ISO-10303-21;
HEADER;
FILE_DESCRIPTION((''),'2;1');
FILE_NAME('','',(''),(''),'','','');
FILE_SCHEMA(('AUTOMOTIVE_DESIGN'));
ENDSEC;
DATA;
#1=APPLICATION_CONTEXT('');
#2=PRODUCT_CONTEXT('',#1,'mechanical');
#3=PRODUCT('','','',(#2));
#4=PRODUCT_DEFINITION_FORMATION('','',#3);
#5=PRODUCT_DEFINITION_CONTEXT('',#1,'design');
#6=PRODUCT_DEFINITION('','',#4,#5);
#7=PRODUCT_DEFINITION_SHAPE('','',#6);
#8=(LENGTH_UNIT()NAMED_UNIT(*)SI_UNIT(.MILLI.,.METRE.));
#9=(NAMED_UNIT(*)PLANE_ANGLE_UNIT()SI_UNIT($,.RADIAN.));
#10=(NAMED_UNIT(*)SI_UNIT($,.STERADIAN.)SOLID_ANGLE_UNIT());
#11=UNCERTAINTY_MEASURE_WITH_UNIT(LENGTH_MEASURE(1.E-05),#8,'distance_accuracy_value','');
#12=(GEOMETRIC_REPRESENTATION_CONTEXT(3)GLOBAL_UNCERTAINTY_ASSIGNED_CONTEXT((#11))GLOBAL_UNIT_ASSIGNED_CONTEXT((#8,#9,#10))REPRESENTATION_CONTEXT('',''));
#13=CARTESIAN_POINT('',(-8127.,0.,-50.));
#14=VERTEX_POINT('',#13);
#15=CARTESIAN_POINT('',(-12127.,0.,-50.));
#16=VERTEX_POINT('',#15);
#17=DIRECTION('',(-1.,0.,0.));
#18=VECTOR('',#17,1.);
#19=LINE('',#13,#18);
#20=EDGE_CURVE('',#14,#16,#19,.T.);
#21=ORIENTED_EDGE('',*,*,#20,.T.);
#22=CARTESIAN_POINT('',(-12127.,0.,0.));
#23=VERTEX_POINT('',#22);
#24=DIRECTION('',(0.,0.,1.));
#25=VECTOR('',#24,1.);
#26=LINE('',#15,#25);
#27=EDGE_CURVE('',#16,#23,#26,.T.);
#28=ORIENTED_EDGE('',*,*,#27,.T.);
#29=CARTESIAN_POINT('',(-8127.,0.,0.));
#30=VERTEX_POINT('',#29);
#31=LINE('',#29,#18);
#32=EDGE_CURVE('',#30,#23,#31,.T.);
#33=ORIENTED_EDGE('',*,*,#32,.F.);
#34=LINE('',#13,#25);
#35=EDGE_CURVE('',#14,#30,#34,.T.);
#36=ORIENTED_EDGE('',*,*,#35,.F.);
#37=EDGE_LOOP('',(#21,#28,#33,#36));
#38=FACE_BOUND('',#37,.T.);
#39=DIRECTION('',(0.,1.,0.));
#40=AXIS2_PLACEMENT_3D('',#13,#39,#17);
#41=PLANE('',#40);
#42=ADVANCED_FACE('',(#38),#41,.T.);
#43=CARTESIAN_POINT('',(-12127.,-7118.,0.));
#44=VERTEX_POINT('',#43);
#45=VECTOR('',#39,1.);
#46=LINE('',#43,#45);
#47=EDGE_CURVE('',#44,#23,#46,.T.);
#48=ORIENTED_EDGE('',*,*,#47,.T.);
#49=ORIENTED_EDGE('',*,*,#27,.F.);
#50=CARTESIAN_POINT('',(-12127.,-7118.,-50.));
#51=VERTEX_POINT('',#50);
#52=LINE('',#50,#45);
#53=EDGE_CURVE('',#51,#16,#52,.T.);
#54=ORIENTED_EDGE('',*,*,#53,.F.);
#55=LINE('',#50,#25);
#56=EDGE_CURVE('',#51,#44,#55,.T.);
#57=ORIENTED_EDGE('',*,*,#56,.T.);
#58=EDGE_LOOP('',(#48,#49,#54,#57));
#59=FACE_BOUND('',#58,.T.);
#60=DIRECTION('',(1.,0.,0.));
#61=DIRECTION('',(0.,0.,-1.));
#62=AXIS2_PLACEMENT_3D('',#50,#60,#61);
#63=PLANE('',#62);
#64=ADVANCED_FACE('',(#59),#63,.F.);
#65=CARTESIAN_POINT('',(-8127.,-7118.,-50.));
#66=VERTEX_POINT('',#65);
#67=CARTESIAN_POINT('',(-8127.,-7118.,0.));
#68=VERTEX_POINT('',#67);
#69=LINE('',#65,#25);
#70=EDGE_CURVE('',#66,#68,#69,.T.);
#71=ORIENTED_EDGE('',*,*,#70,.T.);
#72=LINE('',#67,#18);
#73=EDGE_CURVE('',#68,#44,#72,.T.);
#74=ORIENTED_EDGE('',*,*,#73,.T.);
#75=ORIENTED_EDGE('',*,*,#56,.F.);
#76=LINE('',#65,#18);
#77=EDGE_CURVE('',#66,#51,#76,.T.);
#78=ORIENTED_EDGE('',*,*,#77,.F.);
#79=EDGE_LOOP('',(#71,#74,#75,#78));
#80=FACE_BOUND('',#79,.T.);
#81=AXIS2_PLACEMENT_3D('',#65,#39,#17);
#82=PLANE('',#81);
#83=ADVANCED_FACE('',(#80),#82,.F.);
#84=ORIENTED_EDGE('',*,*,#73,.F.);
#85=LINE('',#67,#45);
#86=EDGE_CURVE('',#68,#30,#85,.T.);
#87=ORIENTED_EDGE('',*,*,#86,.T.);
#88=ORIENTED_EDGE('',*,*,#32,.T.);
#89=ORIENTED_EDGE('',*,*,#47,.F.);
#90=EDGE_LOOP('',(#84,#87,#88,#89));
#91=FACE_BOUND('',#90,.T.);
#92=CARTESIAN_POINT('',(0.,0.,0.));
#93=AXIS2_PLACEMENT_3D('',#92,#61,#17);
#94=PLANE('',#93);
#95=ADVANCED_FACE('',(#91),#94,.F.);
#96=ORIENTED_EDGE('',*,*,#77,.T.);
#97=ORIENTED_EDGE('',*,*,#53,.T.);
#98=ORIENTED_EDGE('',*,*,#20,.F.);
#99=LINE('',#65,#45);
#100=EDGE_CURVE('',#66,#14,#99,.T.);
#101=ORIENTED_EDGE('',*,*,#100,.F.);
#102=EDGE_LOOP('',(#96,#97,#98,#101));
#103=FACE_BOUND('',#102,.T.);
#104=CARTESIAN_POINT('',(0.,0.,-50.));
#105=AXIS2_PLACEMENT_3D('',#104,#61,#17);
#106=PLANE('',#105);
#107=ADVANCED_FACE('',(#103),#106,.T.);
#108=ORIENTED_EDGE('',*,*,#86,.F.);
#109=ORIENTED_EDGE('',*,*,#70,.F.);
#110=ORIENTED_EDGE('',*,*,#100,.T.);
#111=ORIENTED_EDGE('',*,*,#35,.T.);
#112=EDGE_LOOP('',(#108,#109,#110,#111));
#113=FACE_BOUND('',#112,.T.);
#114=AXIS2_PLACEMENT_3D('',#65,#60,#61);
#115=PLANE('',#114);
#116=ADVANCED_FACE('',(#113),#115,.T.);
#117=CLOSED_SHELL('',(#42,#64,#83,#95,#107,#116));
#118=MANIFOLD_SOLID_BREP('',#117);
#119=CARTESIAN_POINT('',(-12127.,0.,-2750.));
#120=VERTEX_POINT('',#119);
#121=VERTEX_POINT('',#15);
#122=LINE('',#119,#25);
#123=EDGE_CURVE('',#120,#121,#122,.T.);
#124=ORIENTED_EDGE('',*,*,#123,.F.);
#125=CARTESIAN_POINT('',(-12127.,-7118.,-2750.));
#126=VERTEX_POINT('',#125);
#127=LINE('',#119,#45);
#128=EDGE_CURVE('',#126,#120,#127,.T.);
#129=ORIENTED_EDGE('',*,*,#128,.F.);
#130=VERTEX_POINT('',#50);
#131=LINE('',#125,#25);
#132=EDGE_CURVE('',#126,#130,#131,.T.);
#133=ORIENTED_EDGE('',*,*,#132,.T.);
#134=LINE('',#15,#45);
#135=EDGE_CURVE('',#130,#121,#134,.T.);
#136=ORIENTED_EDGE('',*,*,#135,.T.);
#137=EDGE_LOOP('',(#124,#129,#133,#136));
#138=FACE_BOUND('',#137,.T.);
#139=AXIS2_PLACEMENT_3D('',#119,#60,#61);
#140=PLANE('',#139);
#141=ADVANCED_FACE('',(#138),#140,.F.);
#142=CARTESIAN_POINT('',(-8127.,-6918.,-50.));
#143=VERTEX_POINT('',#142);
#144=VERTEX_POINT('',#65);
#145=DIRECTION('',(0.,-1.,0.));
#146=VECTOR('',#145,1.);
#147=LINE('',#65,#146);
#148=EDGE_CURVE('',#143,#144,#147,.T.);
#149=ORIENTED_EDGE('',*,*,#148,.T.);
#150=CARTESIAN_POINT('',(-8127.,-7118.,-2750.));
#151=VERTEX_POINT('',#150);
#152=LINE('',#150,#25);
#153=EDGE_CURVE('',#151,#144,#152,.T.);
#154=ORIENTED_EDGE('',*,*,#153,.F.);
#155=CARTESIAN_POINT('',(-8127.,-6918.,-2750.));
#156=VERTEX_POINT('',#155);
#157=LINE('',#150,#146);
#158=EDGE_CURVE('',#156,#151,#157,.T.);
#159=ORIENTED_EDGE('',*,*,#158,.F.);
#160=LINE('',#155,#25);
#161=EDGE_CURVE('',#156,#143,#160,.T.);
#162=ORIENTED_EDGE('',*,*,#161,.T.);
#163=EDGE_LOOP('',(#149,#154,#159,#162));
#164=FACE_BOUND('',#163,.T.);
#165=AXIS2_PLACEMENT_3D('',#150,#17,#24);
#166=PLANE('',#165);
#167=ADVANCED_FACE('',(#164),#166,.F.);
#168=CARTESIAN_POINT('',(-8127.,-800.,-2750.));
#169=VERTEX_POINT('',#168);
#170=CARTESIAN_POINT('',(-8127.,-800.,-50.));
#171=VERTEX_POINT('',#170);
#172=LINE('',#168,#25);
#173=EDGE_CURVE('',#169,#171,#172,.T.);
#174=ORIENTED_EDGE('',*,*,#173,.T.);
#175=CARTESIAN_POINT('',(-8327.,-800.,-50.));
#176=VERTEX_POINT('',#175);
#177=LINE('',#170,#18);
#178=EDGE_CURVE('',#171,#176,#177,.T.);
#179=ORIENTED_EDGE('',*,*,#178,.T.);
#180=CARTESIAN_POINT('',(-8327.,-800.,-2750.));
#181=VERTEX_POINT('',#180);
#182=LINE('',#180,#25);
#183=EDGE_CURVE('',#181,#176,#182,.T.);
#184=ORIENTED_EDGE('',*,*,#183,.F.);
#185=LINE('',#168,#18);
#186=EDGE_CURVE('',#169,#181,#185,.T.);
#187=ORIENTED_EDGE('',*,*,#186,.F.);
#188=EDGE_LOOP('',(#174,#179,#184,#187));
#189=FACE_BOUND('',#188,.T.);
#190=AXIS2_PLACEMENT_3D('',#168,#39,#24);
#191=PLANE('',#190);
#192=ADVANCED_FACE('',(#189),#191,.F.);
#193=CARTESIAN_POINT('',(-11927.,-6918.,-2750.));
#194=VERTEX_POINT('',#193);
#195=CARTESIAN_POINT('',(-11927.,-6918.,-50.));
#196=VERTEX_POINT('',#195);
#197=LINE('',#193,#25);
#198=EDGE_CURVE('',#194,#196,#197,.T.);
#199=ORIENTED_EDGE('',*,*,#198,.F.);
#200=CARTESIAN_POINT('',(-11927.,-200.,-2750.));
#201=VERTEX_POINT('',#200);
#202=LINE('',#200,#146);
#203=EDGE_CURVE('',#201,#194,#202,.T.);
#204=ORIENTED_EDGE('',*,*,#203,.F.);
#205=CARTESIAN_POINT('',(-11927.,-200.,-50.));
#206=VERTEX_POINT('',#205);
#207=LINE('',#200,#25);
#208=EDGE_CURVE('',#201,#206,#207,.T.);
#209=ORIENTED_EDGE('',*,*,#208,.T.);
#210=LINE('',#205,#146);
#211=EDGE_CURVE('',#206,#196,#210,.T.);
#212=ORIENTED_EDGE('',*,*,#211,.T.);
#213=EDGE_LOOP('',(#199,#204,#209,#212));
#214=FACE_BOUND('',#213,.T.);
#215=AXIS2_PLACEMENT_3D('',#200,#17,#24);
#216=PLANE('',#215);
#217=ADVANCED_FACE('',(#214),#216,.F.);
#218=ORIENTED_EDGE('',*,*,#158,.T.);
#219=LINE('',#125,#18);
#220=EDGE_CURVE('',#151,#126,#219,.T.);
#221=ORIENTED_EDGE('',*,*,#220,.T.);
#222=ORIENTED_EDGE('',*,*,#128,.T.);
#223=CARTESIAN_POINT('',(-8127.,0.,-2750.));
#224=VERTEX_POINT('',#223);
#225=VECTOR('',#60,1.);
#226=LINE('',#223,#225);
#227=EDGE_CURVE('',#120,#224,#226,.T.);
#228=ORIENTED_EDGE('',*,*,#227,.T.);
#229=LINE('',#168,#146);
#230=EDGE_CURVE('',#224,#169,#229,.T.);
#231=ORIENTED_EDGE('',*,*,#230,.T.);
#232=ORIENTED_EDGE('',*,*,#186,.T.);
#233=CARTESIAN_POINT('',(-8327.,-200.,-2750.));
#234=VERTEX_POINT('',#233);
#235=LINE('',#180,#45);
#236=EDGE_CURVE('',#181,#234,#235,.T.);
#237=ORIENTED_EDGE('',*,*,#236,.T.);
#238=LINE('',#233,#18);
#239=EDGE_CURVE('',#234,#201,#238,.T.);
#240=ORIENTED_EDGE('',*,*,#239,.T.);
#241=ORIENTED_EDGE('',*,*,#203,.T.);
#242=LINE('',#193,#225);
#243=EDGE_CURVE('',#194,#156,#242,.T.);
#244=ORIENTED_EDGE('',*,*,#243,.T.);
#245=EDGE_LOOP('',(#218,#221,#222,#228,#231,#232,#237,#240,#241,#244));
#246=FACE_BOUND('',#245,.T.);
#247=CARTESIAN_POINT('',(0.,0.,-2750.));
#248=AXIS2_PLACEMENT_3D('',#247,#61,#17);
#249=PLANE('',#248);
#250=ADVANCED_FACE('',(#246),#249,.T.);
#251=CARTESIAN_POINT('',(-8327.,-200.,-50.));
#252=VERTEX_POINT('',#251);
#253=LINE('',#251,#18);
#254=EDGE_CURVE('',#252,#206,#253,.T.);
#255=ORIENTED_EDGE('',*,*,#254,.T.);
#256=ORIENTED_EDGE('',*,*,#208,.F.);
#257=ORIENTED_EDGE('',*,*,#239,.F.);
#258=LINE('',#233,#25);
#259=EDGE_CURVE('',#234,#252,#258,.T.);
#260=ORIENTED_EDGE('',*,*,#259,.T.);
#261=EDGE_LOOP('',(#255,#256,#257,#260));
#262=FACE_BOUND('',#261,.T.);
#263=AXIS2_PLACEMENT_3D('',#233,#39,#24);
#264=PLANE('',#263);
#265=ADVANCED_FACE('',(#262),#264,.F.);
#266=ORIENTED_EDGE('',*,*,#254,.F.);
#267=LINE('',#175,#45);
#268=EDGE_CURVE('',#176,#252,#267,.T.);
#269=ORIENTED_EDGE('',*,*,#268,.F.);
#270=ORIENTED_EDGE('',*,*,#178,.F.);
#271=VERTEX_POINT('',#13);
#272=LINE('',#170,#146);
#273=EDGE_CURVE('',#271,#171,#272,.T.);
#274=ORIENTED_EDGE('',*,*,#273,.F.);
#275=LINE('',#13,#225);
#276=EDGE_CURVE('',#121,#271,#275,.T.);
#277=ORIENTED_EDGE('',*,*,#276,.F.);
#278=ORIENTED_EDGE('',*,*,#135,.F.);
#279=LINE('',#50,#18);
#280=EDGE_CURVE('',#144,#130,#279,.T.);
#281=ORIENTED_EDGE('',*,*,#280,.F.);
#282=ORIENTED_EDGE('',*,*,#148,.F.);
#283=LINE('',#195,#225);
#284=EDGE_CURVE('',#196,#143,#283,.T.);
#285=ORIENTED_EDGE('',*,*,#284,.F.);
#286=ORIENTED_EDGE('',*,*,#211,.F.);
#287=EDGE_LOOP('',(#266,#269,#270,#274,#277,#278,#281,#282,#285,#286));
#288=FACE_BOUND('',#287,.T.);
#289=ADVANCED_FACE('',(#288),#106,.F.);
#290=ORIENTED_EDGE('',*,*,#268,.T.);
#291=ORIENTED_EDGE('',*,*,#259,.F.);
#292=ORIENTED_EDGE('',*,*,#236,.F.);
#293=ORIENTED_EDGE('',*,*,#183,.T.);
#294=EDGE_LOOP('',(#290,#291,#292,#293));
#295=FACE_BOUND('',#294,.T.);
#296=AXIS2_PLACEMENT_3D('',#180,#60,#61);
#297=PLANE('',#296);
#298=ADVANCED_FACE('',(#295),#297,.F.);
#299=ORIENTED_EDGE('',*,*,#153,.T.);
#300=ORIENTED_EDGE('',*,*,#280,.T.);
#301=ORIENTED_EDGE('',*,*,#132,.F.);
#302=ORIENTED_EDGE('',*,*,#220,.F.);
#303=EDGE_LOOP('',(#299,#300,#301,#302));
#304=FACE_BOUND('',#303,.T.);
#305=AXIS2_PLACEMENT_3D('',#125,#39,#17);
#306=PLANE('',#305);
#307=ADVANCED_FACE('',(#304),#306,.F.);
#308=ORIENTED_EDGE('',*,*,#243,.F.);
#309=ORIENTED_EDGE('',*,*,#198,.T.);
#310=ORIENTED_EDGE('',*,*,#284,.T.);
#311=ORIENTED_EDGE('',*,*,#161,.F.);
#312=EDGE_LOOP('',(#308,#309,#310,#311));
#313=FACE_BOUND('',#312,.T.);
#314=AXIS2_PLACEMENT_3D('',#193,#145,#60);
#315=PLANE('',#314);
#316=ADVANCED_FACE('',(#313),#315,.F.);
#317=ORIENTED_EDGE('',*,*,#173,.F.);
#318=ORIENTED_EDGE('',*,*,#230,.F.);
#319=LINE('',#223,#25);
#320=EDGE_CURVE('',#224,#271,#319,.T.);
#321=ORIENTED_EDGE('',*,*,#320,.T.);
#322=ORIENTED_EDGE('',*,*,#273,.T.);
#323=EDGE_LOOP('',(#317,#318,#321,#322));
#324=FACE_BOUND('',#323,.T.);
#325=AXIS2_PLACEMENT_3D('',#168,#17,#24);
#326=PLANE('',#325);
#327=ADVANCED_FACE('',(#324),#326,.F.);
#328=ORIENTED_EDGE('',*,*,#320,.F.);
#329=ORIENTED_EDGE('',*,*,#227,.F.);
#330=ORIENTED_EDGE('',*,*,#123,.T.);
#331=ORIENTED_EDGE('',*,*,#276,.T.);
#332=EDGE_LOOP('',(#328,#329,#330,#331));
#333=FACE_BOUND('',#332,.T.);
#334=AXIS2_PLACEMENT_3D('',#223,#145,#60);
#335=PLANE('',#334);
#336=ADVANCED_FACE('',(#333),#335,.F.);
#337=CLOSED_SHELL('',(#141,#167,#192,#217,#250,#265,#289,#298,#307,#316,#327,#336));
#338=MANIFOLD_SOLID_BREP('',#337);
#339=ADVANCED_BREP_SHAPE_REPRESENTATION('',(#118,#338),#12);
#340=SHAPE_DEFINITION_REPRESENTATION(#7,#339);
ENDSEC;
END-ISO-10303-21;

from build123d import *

# Parameters (mm, degrees)
SKETCH_1_W      = 4000
SKETCH_1_H      = 7118
EXTRUDE_1_DEPTH = 50
EXTRUDE_2_DEPTH = 2700


with BuildPart() as part:
    # Эскиз1 → Бобышка-Вытянуть1 (new body)
    with BuildSketch(Plane.XY):
        with Locations((-10127, -3559)):
            Rectangle(SKETCH_1_W, SKETCH_1_H)
    extrude(amount=-EXTRUDE_1_DEPTH)


with BuildPart() as body_2:
    # Эскиз2 → Бобышка-Вытянуть2 (new body)
    with BuildSketch(Plane(origin=(0, 0, -50), x_dir=(-1, 0, 0), z_dir=(0, 0, -1))):
        Polygon((8127, -800), (8127, 0), (12127, 0), (12127, -7118), (8127, -7118), (8127, -6918), (11927, -6918), (11927, -200), (8327, -200), (8327, -800), align=None)
    extrude(amount=EXTRUDE_2_DEPTH)


solid = Compound([part.part, body_2.part])
